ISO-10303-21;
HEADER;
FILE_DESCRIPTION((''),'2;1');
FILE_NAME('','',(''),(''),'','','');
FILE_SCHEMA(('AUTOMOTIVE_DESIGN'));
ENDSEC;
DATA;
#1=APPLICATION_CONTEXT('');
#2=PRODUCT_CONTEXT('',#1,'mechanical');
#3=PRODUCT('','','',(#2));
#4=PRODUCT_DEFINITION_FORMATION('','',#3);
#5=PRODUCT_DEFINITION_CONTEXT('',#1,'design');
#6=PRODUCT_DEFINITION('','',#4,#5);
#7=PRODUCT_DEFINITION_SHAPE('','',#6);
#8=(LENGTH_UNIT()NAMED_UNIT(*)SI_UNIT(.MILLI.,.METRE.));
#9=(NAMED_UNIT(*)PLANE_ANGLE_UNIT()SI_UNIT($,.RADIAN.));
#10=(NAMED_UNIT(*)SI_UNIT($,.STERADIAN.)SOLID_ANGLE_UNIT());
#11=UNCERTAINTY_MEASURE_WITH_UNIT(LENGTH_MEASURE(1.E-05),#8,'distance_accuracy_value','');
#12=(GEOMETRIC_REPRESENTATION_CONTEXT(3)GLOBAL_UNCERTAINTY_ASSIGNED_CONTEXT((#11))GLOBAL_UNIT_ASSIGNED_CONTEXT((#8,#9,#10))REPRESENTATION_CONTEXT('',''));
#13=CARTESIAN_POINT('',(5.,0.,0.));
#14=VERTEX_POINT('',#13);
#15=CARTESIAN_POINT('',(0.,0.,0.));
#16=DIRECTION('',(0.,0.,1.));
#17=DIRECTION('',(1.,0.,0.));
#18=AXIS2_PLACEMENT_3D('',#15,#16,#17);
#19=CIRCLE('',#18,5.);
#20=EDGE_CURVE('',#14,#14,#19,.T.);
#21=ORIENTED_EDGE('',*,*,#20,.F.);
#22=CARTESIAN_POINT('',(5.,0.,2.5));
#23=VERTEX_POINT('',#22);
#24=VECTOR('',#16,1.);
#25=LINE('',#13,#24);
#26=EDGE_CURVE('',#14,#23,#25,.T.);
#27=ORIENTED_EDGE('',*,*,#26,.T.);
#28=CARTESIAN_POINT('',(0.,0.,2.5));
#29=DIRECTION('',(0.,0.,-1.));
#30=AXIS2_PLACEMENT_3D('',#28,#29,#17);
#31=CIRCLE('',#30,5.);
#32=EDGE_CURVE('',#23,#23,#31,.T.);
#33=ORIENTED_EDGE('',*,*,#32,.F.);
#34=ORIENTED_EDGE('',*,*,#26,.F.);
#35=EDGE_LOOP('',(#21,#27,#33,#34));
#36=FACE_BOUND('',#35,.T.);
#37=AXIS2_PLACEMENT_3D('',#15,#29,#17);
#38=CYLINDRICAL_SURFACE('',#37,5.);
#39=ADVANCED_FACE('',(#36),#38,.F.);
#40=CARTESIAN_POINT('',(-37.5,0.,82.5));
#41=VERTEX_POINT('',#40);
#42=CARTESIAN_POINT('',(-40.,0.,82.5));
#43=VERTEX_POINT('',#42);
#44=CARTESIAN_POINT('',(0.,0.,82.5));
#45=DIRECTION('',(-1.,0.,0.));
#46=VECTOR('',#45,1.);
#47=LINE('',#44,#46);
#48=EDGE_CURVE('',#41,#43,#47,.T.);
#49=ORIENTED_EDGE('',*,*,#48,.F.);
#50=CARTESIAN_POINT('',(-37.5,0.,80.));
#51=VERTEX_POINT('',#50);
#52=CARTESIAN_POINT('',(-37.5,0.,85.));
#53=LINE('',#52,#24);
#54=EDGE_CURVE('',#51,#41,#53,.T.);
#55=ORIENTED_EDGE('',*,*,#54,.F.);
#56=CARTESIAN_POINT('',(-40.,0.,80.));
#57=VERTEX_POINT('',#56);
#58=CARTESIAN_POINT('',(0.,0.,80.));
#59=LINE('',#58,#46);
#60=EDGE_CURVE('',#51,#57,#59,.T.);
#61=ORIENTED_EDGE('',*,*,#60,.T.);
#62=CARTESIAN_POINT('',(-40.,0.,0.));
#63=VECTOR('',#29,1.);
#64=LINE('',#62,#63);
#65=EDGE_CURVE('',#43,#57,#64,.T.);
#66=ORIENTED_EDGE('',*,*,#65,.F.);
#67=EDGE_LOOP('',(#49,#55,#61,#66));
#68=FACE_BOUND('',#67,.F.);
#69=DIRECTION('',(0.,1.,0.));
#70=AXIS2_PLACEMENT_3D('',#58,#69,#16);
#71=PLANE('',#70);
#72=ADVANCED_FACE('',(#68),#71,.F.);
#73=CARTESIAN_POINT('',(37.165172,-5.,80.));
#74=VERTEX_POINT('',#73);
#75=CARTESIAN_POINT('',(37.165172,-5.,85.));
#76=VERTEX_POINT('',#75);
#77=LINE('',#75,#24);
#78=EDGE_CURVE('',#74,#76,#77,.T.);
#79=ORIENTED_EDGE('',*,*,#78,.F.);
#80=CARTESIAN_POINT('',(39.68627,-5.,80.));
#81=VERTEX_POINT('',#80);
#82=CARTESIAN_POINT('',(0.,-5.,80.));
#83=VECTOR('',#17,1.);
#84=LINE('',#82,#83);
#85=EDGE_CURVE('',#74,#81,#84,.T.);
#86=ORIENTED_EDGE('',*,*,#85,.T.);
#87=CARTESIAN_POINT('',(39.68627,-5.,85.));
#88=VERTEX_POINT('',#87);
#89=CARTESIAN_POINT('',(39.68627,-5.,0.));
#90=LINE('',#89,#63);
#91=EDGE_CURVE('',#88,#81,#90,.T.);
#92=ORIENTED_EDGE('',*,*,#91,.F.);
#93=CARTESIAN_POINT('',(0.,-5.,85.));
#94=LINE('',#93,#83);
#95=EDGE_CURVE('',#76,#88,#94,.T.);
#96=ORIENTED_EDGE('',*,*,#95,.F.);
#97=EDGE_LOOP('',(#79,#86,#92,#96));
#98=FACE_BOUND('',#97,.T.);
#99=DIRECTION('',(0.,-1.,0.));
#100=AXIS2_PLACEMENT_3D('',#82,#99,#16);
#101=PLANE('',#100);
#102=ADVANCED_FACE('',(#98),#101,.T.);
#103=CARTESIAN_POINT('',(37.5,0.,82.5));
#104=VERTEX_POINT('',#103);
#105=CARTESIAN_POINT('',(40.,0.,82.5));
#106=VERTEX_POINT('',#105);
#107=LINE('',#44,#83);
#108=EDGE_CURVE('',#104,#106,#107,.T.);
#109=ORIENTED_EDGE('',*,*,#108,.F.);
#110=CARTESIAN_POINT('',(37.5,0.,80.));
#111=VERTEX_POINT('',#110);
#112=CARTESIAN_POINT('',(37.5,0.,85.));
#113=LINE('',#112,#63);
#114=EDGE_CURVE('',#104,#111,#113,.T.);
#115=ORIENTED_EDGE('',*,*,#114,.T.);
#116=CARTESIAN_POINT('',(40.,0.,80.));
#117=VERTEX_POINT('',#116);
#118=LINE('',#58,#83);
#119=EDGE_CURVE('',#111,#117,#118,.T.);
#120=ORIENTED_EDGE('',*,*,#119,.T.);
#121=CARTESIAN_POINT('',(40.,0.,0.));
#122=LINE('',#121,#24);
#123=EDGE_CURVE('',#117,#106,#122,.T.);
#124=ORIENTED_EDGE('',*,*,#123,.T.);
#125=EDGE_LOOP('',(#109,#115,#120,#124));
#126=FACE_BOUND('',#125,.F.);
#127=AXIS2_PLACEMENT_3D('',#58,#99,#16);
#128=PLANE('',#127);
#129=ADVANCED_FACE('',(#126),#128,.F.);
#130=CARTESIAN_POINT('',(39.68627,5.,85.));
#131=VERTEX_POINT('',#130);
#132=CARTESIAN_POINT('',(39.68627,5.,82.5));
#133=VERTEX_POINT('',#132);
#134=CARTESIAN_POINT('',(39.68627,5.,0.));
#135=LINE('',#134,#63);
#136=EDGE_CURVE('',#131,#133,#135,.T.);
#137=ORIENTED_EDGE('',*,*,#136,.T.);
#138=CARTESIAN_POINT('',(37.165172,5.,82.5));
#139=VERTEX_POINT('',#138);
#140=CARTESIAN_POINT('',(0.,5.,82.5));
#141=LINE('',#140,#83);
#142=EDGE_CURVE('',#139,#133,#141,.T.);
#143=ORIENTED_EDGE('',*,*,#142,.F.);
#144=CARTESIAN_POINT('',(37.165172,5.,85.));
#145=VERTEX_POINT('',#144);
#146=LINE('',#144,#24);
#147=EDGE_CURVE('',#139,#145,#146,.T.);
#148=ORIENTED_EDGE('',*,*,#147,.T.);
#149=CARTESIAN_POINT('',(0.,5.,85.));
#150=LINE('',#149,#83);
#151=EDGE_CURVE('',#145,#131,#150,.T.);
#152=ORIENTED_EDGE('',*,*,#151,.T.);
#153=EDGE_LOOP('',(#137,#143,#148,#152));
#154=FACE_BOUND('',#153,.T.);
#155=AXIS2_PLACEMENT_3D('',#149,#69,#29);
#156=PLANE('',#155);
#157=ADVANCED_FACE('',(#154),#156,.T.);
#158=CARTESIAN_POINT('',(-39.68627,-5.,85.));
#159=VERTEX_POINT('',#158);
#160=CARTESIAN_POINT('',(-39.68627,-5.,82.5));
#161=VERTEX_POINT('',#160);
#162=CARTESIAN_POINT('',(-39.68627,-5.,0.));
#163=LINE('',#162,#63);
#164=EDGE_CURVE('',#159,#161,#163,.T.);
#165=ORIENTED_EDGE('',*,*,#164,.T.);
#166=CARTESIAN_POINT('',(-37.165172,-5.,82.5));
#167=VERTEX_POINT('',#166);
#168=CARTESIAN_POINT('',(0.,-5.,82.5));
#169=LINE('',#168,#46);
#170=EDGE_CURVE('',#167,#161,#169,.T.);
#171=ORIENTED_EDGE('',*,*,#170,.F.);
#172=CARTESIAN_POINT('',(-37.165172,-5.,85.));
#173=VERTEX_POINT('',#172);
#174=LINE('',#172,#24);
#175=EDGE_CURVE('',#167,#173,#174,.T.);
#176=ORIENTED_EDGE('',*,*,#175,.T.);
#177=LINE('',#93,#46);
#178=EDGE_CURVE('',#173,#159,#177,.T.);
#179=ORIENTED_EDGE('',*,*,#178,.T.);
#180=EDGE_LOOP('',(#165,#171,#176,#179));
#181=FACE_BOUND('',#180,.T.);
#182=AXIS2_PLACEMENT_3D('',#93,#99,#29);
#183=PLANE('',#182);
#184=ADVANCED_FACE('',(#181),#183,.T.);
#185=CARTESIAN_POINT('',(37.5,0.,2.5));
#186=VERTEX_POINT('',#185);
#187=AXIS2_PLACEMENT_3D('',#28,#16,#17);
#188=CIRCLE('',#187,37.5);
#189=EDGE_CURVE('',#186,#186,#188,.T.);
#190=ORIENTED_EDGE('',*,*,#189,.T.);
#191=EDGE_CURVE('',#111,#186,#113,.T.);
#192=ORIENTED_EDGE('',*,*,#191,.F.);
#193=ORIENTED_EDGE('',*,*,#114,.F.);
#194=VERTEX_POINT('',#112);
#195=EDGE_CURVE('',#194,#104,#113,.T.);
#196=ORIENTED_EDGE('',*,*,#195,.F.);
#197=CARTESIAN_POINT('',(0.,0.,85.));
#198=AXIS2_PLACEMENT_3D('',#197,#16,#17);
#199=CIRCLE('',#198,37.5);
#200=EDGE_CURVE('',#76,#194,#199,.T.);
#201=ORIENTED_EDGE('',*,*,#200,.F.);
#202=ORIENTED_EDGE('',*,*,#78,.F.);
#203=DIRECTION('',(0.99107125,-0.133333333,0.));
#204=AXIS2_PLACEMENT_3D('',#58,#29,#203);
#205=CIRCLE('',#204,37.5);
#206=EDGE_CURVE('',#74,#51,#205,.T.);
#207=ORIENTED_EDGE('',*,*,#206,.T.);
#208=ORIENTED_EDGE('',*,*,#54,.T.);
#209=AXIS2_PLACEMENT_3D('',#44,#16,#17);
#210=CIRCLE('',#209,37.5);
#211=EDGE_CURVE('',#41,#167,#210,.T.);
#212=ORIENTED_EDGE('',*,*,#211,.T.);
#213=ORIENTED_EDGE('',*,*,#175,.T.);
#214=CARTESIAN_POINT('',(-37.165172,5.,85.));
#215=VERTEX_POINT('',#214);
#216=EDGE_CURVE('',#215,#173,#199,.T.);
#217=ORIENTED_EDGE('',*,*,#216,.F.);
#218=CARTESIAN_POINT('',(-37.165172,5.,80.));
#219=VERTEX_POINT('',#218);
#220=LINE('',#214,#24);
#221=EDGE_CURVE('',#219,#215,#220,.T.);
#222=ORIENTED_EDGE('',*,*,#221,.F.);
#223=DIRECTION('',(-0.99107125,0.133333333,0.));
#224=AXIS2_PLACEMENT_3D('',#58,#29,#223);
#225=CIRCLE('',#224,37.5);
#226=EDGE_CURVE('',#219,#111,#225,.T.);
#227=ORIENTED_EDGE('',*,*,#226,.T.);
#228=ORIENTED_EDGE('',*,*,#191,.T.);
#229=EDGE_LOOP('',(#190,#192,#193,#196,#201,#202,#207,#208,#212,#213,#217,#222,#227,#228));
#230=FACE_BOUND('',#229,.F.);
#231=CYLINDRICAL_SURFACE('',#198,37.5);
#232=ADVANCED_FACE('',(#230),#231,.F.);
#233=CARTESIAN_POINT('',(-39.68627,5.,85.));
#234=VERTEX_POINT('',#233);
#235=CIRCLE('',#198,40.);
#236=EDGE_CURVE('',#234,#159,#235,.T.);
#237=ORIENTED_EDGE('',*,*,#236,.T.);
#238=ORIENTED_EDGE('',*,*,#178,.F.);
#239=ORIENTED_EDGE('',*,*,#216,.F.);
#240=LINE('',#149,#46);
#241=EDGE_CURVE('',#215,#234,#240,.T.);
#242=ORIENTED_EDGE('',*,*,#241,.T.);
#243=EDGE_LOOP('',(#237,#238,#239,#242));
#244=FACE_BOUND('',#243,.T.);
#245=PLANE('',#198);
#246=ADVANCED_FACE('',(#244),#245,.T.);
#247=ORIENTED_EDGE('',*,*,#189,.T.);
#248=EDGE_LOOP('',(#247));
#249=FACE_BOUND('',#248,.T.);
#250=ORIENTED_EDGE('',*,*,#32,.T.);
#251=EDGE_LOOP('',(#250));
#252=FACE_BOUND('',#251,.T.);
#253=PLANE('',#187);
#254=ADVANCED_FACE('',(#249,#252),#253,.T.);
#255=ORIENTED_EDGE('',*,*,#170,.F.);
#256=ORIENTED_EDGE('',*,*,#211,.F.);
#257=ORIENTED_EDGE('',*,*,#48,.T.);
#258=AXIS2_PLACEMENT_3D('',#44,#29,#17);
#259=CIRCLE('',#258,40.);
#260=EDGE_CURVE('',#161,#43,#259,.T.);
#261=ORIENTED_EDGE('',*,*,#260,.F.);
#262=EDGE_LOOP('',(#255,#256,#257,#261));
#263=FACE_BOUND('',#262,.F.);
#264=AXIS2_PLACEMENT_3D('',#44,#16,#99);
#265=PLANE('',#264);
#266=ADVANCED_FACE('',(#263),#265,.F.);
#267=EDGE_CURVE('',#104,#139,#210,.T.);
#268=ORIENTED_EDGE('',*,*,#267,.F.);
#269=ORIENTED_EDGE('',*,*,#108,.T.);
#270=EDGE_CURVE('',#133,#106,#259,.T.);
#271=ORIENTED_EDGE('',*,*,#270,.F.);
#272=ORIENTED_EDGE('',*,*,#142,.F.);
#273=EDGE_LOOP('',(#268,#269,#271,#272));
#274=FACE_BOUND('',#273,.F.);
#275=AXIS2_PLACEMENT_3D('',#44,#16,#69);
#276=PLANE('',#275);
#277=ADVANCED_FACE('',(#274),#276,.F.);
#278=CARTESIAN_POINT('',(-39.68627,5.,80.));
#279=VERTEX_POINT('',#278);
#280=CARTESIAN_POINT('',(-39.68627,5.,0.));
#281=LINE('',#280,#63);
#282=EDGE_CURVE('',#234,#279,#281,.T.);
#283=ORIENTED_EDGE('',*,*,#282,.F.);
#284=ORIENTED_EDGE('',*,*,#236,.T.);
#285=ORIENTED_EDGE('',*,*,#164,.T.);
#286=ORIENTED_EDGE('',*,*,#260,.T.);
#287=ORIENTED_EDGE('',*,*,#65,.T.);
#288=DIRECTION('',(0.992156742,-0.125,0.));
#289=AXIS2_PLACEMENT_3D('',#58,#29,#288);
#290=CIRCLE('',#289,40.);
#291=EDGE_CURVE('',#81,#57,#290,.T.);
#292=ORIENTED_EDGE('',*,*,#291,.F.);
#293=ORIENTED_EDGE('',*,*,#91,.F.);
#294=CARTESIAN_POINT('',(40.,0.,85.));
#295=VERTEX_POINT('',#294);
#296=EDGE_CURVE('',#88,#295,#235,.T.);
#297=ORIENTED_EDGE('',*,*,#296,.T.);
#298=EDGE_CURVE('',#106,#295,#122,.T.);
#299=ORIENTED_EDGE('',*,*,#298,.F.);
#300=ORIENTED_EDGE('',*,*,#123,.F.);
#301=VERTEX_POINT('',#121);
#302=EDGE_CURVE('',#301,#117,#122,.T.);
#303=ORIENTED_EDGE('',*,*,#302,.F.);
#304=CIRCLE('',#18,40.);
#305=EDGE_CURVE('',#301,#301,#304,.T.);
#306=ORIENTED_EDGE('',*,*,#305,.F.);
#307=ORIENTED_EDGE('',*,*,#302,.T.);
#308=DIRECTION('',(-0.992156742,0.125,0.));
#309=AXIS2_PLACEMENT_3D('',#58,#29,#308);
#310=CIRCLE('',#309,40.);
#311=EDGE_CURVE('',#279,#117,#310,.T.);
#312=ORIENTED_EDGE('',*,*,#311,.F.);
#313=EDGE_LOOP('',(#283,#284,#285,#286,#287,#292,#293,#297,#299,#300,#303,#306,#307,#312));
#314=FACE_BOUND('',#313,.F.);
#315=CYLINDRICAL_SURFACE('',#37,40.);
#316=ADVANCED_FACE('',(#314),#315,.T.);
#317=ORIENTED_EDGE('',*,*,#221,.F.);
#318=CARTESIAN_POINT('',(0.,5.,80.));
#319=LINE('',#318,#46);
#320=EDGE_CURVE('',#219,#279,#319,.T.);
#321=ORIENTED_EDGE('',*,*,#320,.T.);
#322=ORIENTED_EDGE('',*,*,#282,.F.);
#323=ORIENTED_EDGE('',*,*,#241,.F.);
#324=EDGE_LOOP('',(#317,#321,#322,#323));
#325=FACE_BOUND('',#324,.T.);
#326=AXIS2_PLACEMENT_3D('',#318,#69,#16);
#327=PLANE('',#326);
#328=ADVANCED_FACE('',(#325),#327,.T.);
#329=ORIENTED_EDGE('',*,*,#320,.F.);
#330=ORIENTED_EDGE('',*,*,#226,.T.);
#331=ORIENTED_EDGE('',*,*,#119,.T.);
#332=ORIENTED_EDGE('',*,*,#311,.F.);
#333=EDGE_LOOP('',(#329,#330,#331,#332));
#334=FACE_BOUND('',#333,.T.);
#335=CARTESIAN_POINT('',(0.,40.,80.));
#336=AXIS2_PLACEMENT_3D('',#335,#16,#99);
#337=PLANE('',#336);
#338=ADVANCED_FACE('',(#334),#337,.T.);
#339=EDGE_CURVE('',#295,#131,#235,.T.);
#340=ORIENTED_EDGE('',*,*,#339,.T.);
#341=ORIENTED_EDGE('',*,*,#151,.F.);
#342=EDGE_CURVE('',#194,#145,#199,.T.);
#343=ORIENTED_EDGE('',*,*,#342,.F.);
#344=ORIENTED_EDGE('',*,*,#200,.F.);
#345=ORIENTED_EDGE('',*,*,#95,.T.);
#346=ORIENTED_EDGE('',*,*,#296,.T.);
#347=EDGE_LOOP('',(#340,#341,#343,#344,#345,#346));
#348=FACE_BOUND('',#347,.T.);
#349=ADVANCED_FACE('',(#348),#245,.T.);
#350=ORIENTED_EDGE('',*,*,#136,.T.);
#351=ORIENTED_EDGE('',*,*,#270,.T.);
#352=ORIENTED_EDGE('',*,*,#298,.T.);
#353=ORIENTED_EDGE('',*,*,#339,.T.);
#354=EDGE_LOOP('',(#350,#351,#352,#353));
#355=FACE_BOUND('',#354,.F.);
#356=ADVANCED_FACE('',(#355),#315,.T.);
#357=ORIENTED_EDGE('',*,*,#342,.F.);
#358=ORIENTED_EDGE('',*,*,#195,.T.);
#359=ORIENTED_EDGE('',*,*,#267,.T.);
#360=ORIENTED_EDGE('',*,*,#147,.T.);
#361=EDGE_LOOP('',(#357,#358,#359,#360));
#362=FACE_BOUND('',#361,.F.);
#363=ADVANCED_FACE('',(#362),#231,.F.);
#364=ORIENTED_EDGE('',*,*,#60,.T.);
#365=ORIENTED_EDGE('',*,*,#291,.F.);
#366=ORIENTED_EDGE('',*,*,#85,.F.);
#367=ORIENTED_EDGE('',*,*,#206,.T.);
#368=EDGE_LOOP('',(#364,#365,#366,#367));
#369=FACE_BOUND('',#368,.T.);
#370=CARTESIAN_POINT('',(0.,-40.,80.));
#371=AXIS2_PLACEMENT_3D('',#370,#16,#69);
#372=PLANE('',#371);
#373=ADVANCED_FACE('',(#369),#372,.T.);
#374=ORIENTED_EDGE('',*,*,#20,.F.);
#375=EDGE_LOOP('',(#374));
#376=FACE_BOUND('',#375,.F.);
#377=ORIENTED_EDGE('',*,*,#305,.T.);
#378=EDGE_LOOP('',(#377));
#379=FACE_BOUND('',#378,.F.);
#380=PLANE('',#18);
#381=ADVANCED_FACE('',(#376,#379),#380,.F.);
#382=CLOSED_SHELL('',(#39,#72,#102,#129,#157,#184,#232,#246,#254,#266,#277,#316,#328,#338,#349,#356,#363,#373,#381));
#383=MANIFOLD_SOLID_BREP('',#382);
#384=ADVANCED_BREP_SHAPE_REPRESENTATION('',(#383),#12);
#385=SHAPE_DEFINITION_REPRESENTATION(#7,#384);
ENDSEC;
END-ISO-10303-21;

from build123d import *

# Parameters (mm, degrees)
F0_R     = 40
F0_R_2   = 5
F1_DEPTH = 85
F3_R     = 37.5
F4_DEPTH = 82.5
F5_W     = 5
F5_H     = 2.5
F5_W_2   = 35
F5_H_2   = 5
F6_DEPTH = 50
F8_COUNT = 2


with BuildPart() as f1:
    # F0 (on Top) → F1 (new body)
    with BuildSketch(Plane.XY):
        Circle(F0_R)
        Circle(F0_R_2, mode=Mode.SUBTRACT)
    extrude(amount=F1_DEPTH)

    # F3 (on face) → F4 (cut)
    with BuildSketch(Plane.XY.offset(85)):
        Circle(F3_R)
    extrude(amount=-F4_DEPTH, mode=Mode.SUBTRACT)


with BuildPart() as f6:
    # F5 (on Right) → F6 (new body)
    with BuildSketch(Plane.YZ):
        Polygon((5, 82.5), (5, 80), (40, 80), (40, 85), (5, 85), align=None)
        with Locations((2.5, 81.25)):
            Rectangle(F5_W, F5_H)
        with Locations((-22.5, 82.5)):
            Rectangle(F5_W_2, F5_H_2)
    extrude(amount=F6_DEPTH)


with BuildPart() as f8_1:
    # F8: instance of F6
    add(f6.part.rotate(Axis((0, 0, 42.584691), (0, 0, 1)), 1 * 360 / F8_COUNT))


with BuildPart() as f1_1:
    add(f1.part)

    # F9: cut F6, F8_1
    add(f6.part, mode=Mode.SUBTRACT)
    add(f8_1.part, mode=Mode.SUBTRACT)


solid = f1_1.part
